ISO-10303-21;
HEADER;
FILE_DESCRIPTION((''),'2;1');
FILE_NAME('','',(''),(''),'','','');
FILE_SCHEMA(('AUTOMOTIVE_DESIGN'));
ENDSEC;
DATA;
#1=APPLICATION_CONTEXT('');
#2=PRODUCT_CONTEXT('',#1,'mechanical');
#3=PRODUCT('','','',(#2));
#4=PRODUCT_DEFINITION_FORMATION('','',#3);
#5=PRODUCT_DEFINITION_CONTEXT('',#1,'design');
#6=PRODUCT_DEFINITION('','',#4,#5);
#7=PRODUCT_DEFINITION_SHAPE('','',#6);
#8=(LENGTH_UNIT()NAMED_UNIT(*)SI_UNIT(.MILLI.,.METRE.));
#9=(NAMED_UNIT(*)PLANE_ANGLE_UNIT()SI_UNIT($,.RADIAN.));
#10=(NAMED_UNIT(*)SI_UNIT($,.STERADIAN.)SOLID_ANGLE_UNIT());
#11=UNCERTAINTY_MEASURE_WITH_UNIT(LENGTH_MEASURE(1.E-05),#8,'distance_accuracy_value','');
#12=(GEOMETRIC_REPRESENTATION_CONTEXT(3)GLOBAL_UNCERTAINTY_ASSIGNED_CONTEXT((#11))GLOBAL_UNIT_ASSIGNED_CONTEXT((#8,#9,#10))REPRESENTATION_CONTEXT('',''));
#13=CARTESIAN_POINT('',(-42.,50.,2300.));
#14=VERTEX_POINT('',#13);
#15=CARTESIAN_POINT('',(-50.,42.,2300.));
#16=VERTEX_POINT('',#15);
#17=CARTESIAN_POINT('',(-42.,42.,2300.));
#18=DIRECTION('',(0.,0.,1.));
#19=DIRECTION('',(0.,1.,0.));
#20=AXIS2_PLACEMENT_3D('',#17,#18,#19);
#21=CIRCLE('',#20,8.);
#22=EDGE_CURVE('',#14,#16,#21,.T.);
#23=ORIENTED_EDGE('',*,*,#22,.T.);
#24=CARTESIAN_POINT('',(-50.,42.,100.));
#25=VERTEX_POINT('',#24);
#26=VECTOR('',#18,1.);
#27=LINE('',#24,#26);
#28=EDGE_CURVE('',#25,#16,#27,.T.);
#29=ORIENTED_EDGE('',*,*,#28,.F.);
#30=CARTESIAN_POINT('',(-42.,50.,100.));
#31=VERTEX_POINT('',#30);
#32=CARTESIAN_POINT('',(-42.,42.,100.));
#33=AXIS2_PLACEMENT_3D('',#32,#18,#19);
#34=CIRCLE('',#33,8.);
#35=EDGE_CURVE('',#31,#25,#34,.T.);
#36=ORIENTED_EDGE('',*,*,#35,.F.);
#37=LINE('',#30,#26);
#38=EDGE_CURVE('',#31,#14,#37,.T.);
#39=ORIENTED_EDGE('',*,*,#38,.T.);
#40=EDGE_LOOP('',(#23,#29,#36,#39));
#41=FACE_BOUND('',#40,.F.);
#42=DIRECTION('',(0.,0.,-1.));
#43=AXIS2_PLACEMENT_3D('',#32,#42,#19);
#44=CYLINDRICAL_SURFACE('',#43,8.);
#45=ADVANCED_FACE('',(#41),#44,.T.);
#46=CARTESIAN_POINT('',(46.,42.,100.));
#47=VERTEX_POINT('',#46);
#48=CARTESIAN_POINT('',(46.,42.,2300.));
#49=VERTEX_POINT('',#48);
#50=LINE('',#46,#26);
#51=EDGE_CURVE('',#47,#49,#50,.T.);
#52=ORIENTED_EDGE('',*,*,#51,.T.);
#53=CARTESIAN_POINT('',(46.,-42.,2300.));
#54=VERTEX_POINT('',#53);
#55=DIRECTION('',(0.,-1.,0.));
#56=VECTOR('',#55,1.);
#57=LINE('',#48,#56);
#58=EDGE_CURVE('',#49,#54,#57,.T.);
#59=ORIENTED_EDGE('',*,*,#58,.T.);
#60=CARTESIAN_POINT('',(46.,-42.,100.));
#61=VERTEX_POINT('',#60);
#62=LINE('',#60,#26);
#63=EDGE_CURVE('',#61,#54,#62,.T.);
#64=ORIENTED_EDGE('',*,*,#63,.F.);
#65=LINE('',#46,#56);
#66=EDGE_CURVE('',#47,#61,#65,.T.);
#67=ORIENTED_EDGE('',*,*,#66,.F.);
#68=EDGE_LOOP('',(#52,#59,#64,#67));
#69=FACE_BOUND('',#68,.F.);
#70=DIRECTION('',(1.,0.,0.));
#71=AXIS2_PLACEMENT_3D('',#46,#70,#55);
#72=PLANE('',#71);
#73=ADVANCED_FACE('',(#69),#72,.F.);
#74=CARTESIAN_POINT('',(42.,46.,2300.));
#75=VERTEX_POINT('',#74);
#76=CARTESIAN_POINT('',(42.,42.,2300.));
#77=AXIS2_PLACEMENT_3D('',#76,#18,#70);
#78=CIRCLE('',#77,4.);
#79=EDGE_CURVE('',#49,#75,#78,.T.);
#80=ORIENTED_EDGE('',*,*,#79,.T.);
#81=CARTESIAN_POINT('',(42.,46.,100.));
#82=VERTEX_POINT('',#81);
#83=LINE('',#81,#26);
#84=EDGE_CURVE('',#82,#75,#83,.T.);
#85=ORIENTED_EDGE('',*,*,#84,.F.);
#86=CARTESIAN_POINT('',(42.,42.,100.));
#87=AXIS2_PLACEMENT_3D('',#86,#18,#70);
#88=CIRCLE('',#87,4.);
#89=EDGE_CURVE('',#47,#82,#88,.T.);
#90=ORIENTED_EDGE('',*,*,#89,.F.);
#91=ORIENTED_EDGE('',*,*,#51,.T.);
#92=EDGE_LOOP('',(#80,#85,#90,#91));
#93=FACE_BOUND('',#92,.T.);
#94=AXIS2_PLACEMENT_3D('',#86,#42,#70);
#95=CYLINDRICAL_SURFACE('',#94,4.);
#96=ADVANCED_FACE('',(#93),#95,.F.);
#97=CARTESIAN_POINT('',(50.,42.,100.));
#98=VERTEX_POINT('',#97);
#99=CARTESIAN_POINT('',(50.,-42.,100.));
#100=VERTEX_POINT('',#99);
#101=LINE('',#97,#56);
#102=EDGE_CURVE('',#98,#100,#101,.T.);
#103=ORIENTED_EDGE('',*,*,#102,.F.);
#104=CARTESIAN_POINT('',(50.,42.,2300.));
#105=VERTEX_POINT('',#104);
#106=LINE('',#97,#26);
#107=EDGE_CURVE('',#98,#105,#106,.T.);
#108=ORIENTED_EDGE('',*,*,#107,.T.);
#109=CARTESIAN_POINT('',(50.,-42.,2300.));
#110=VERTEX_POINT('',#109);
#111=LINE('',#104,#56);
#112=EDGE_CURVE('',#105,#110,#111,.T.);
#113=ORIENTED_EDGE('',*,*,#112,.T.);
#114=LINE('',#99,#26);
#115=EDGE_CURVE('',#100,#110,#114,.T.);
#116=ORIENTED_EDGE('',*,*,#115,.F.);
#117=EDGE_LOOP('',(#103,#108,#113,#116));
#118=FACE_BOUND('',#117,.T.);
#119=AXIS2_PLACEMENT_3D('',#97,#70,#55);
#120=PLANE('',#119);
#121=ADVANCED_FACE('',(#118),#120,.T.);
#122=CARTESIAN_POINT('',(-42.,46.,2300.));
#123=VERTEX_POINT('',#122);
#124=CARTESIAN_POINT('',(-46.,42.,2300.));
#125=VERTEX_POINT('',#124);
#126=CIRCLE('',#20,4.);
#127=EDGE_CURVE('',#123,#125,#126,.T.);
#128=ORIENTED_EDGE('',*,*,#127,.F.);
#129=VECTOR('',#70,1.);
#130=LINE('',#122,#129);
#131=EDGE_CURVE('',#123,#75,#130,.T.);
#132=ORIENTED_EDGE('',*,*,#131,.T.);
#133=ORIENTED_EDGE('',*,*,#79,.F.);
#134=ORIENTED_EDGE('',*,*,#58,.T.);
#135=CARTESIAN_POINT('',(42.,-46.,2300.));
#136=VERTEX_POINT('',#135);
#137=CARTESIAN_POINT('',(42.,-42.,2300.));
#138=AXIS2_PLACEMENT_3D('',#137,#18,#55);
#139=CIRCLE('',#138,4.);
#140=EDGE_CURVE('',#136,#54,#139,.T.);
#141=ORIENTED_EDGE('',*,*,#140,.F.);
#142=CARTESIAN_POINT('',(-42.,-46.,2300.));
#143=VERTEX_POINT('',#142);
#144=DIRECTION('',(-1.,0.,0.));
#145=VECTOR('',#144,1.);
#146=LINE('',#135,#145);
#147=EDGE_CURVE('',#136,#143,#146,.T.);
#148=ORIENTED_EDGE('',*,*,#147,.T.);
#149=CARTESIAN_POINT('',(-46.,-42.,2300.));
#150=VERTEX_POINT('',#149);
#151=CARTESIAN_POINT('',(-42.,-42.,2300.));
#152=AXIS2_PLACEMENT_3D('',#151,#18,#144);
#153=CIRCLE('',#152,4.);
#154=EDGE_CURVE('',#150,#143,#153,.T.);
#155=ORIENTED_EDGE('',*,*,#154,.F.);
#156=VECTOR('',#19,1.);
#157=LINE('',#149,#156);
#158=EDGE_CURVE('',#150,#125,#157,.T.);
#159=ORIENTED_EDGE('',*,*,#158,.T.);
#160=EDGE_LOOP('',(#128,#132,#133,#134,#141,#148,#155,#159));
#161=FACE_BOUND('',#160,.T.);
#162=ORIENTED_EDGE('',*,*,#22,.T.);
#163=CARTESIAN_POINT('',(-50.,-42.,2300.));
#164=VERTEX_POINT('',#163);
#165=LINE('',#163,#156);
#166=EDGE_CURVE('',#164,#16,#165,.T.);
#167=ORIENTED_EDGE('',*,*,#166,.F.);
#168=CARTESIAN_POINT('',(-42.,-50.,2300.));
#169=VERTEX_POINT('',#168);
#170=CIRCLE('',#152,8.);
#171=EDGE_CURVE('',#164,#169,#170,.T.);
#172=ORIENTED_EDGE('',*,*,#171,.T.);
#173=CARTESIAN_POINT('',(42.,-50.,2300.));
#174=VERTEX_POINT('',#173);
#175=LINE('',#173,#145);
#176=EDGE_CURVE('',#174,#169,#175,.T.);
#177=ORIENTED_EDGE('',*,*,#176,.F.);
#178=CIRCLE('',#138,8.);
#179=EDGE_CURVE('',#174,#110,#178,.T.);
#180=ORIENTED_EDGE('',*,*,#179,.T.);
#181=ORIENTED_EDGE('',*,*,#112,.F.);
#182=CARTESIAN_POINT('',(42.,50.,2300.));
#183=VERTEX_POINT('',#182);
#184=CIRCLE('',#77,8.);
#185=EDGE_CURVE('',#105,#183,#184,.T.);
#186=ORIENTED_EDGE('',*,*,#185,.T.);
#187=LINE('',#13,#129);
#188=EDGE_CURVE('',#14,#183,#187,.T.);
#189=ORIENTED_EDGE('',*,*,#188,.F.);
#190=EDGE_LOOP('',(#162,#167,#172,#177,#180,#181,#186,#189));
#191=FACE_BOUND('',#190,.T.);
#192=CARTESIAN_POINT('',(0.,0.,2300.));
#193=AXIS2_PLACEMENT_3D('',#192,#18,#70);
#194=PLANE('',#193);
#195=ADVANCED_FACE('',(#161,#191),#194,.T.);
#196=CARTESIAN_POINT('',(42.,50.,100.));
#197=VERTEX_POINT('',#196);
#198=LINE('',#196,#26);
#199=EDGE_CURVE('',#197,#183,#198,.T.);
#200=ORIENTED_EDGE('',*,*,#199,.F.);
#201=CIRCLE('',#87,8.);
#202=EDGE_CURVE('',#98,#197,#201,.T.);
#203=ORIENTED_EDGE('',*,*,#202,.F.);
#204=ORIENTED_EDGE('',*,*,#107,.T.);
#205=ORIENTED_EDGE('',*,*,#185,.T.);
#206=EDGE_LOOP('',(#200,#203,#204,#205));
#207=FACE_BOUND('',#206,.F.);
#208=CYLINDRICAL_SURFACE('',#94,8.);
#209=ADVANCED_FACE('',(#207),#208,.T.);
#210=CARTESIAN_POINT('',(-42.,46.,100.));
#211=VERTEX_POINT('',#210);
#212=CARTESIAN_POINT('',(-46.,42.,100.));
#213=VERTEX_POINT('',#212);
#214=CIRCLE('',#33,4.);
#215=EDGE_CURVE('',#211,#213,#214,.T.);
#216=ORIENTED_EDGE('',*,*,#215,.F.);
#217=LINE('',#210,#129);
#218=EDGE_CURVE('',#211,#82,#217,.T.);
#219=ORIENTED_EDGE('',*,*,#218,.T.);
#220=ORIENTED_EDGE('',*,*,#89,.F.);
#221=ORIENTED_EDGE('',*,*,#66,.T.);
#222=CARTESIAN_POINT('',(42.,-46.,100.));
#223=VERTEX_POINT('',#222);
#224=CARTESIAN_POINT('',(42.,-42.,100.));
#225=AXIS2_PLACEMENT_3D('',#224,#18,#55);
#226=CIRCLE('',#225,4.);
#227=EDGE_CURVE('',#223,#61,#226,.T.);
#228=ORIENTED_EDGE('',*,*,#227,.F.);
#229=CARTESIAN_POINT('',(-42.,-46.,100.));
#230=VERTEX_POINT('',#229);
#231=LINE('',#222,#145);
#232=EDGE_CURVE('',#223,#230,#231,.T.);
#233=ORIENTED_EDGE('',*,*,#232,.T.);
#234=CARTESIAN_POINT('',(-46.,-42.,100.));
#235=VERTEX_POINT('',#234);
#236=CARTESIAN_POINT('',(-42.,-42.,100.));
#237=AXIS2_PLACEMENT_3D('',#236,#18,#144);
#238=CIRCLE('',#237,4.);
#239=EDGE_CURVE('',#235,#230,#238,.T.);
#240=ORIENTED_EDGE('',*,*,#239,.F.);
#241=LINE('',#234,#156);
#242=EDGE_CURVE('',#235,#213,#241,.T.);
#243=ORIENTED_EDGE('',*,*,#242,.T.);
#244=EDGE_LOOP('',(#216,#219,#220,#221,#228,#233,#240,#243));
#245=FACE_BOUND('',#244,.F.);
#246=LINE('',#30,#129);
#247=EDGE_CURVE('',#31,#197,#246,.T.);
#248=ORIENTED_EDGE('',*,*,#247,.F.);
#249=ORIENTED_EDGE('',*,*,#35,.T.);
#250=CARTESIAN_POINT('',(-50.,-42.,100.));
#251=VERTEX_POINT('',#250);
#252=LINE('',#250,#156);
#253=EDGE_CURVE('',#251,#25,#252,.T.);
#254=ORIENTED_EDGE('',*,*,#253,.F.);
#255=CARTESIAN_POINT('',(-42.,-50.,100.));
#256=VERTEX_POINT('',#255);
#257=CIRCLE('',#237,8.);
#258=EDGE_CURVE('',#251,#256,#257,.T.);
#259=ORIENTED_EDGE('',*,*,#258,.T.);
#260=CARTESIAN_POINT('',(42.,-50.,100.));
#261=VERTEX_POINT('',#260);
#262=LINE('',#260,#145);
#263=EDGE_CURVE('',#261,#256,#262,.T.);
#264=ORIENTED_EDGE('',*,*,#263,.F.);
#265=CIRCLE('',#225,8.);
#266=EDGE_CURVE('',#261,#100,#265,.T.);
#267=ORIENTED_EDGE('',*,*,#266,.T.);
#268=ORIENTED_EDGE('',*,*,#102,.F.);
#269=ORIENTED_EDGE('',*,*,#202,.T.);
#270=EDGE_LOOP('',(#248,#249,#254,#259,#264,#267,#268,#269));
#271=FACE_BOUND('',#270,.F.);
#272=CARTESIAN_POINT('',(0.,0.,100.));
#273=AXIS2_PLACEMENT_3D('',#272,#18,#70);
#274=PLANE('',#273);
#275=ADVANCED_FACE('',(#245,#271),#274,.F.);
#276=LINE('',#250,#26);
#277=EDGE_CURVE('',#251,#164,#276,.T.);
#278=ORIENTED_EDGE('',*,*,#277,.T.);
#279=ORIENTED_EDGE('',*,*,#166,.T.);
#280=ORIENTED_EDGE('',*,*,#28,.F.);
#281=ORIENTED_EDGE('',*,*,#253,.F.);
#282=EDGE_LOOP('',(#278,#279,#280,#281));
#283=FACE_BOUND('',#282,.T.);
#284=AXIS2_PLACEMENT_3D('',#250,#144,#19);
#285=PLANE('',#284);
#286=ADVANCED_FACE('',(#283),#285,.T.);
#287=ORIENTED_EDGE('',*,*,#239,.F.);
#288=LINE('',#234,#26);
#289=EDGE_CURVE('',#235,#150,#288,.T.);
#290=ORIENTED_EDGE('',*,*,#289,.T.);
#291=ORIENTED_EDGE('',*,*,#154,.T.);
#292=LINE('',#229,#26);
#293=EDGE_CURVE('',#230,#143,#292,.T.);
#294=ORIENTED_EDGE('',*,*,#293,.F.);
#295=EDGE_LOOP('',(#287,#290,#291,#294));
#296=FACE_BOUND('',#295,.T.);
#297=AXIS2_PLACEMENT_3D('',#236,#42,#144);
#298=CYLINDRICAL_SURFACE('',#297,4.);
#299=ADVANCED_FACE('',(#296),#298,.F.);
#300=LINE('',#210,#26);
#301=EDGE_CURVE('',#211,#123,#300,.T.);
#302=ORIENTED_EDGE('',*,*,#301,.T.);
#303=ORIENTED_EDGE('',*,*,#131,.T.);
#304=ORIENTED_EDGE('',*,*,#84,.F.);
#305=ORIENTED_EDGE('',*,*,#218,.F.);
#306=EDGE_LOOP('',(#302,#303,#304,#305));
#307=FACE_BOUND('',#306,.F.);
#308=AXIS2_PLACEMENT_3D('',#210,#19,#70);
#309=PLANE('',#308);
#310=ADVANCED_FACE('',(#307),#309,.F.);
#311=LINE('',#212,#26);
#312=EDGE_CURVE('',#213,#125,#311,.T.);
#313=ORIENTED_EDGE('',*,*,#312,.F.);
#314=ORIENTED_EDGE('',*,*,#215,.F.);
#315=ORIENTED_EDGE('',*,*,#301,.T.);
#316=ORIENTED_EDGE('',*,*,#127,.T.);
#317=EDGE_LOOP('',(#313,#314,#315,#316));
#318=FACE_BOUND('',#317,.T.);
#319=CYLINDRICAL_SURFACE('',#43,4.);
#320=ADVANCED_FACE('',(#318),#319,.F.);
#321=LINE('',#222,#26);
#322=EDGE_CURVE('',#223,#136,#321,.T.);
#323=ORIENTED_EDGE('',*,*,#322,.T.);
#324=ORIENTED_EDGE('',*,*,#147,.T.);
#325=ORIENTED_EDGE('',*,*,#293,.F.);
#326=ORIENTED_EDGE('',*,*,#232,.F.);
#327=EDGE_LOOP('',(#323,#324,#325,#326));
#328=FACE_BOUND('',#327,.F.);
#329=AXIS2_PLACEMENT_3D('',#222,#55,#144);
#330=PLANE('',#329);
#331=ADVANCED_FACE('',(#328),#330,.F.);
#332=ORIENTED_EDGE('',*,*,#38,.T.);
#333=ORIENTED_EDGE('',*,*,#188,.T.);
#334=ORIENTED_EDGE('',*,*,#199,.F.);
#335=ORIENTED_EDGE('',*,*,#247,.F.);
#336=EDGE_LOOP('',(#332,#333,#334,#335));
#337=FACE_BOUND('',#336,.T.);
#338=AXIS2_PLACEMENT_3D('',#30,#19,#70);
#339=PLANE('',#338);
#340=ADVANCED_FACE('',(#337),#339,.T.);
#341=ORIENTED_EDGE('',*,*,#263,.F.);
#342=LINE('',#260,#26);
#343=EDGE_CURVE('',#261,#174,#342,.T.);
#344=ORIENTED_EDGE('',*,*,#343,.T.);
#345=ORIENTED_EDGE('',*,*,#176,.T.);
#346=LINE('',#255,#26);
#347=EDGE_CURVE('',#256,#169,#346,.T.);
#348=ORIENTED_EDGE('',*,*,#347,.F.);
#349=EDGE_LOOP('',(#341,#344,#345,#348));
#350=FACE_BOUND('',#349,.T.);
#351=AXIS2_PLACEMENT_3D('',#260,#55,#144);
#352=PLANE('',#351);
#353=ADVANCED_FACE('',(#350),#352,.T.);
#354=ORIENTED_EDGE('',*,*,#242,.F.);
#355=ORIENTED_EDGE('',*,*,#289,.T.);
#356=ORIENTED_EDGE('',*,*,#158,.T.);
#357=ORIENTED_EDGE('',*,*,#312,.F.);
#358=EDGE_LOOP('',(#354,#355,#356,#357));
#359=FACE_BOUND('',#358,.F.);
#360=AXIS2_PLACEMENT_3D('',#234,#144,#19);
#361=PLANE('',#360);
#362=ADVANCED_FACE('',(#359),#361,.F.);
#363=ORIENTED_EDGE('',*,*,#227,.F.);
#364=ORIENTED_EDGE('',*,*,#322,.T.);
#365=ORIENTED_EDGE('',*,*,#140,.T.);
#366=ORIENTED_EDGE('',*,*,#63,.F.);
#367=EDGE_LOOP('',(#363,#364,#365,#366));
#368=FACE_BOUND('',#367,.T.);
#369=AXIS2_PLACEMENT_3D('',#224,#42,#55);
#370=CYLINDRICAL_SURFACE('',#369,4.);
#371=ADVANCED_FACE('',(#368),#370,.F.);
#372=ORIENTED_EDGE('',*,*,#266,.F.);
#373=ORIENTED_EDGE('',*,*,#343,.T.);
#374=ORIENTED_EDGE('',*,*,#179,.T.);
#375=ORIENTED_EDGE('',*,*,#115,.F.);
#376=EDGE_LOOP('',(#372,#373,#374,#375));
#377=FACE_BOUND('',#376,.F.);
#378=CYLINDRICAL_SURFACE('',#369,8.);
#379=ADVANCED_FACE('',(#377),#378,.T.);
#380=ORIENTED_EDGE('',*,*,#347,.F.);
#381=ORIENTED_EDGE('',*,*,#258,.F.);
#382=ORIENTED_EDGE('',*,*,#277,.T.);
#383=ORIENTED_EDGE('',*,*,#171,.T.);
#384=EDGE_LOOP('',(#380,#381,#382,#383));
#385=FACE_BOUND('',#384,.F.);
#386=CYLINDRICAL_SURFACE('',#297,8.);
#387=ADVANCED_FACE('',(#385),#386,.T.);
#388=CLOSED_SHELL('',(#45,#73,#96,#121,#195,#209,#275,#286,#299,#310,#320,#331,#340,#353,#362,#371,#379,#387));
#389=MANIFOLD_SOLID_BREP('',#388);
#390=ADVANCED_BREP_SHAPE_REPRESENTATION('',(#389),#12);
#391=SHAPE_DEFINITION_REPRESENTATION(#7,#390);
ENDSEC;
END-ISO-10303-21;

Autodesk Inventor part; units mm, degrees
ref_plane "YZ Plane" through (0, 0, 0) normal (1, 0, 0) x (0, 1, 0)
ref_plane "Start plane" through (0, 0, 100) normal (0, 0, 1) x (1, 0, 0)
ref_plane "End plane" through (0, 0, 2300) normal (0, 0, 1) x (1, 0, 0)
sketch "Sketch" plane through (0, 0, 0) normal (0, 0, 1) x (1, 0, 0)
  line L0 (-50, -42) -> (-50, 42)
  line L1 (-42, 50) -> (42, 50)
  line L2 (50, 42) -> (50, -42)
  line L3 (42, -50) -> (-42, -50)
  arc A0 (-50, -42) -> (-42, -50) centre (-42, -42) ccw
  arc A1 (50, 42) -> (42, 50) centre (42, 42) ccw
  arc A2 (-42, 50) -> (-50, 42) centre (-42, 42) ccw
  arc A3 (42, -50) -> (50, -42) centre (42, -42) ccw
  arc A4 (-42, 46) -> (-46, 42) centre (-42, 42) ccw
  line L4 (-42, 46) -> (42, 46)
  arc A5 (46, 42) -> (42, 46) centre (42, 42) ccw
  line L5 (46, 42) -> (46, -42)
  arc A6 (42, -46) -> (46, -42) centre (42, -42) ccw
  line L6 (42, -46) -> (-42, -46)
  arc A7 (-46, -42) -> (-42, -46) centre (-42, -42) ccw
  line L7 (-46, -42) -> (-46, 42)
  line L8 (0, 72.3196) -> (0, -72.3196) construction
  line L9 (-72.3196, 0) -> (72.3196, 0) construction
  dimension "d7" = 8
  dimension "d9" = 100
  dimension "d11" = 100
  dimension "d12" = 4
  dimension "d15" = 50
  dimension "d16" = 50
extrude "Body" add sketch "Sketch" along normal up to surface (2200 mm away) from surface at 100
sketch "Sketch3" plane through (0, 0, 0) normal (0, 0, 1) x (1, 0, 0)
  line L0 (0, 0) -> (10, 0)
ref_plane "Work Plane3" through (0, 0, 0) normal (0, -1, 0) x (1, 0, 0)
sketch "Sketch4" plane through (0, 0, 0) normal (0, -1, 0) x (1, 0, 0)
  line L0 (-2, 100) -> (12, 100) projected
  line L1 (-2, 2300) -> (12, 2300) projected
  dimension "d18" = 2200
equation "\"d7\" = G_IR"
equation "\"d9\" = G_W"
equation "\"d11\" = G_H"
equation "\"d12\" = G_T"
equation "\"d15\" = 0.5 * d9"
equation "\"d16\" = 0.5 * d11"
equation "\"d3\" = G_L"
equation "\"G_W\" = 100"
equation "\"G_H\" = 100"
equation "\"G_T\" = 4"
equation "\"G_IR\" = 8"
equation "\"G_L\" = d18"
properties part number "ISO 10799-2 - 100x100x4 - 2200" material "Steel, Mild"
